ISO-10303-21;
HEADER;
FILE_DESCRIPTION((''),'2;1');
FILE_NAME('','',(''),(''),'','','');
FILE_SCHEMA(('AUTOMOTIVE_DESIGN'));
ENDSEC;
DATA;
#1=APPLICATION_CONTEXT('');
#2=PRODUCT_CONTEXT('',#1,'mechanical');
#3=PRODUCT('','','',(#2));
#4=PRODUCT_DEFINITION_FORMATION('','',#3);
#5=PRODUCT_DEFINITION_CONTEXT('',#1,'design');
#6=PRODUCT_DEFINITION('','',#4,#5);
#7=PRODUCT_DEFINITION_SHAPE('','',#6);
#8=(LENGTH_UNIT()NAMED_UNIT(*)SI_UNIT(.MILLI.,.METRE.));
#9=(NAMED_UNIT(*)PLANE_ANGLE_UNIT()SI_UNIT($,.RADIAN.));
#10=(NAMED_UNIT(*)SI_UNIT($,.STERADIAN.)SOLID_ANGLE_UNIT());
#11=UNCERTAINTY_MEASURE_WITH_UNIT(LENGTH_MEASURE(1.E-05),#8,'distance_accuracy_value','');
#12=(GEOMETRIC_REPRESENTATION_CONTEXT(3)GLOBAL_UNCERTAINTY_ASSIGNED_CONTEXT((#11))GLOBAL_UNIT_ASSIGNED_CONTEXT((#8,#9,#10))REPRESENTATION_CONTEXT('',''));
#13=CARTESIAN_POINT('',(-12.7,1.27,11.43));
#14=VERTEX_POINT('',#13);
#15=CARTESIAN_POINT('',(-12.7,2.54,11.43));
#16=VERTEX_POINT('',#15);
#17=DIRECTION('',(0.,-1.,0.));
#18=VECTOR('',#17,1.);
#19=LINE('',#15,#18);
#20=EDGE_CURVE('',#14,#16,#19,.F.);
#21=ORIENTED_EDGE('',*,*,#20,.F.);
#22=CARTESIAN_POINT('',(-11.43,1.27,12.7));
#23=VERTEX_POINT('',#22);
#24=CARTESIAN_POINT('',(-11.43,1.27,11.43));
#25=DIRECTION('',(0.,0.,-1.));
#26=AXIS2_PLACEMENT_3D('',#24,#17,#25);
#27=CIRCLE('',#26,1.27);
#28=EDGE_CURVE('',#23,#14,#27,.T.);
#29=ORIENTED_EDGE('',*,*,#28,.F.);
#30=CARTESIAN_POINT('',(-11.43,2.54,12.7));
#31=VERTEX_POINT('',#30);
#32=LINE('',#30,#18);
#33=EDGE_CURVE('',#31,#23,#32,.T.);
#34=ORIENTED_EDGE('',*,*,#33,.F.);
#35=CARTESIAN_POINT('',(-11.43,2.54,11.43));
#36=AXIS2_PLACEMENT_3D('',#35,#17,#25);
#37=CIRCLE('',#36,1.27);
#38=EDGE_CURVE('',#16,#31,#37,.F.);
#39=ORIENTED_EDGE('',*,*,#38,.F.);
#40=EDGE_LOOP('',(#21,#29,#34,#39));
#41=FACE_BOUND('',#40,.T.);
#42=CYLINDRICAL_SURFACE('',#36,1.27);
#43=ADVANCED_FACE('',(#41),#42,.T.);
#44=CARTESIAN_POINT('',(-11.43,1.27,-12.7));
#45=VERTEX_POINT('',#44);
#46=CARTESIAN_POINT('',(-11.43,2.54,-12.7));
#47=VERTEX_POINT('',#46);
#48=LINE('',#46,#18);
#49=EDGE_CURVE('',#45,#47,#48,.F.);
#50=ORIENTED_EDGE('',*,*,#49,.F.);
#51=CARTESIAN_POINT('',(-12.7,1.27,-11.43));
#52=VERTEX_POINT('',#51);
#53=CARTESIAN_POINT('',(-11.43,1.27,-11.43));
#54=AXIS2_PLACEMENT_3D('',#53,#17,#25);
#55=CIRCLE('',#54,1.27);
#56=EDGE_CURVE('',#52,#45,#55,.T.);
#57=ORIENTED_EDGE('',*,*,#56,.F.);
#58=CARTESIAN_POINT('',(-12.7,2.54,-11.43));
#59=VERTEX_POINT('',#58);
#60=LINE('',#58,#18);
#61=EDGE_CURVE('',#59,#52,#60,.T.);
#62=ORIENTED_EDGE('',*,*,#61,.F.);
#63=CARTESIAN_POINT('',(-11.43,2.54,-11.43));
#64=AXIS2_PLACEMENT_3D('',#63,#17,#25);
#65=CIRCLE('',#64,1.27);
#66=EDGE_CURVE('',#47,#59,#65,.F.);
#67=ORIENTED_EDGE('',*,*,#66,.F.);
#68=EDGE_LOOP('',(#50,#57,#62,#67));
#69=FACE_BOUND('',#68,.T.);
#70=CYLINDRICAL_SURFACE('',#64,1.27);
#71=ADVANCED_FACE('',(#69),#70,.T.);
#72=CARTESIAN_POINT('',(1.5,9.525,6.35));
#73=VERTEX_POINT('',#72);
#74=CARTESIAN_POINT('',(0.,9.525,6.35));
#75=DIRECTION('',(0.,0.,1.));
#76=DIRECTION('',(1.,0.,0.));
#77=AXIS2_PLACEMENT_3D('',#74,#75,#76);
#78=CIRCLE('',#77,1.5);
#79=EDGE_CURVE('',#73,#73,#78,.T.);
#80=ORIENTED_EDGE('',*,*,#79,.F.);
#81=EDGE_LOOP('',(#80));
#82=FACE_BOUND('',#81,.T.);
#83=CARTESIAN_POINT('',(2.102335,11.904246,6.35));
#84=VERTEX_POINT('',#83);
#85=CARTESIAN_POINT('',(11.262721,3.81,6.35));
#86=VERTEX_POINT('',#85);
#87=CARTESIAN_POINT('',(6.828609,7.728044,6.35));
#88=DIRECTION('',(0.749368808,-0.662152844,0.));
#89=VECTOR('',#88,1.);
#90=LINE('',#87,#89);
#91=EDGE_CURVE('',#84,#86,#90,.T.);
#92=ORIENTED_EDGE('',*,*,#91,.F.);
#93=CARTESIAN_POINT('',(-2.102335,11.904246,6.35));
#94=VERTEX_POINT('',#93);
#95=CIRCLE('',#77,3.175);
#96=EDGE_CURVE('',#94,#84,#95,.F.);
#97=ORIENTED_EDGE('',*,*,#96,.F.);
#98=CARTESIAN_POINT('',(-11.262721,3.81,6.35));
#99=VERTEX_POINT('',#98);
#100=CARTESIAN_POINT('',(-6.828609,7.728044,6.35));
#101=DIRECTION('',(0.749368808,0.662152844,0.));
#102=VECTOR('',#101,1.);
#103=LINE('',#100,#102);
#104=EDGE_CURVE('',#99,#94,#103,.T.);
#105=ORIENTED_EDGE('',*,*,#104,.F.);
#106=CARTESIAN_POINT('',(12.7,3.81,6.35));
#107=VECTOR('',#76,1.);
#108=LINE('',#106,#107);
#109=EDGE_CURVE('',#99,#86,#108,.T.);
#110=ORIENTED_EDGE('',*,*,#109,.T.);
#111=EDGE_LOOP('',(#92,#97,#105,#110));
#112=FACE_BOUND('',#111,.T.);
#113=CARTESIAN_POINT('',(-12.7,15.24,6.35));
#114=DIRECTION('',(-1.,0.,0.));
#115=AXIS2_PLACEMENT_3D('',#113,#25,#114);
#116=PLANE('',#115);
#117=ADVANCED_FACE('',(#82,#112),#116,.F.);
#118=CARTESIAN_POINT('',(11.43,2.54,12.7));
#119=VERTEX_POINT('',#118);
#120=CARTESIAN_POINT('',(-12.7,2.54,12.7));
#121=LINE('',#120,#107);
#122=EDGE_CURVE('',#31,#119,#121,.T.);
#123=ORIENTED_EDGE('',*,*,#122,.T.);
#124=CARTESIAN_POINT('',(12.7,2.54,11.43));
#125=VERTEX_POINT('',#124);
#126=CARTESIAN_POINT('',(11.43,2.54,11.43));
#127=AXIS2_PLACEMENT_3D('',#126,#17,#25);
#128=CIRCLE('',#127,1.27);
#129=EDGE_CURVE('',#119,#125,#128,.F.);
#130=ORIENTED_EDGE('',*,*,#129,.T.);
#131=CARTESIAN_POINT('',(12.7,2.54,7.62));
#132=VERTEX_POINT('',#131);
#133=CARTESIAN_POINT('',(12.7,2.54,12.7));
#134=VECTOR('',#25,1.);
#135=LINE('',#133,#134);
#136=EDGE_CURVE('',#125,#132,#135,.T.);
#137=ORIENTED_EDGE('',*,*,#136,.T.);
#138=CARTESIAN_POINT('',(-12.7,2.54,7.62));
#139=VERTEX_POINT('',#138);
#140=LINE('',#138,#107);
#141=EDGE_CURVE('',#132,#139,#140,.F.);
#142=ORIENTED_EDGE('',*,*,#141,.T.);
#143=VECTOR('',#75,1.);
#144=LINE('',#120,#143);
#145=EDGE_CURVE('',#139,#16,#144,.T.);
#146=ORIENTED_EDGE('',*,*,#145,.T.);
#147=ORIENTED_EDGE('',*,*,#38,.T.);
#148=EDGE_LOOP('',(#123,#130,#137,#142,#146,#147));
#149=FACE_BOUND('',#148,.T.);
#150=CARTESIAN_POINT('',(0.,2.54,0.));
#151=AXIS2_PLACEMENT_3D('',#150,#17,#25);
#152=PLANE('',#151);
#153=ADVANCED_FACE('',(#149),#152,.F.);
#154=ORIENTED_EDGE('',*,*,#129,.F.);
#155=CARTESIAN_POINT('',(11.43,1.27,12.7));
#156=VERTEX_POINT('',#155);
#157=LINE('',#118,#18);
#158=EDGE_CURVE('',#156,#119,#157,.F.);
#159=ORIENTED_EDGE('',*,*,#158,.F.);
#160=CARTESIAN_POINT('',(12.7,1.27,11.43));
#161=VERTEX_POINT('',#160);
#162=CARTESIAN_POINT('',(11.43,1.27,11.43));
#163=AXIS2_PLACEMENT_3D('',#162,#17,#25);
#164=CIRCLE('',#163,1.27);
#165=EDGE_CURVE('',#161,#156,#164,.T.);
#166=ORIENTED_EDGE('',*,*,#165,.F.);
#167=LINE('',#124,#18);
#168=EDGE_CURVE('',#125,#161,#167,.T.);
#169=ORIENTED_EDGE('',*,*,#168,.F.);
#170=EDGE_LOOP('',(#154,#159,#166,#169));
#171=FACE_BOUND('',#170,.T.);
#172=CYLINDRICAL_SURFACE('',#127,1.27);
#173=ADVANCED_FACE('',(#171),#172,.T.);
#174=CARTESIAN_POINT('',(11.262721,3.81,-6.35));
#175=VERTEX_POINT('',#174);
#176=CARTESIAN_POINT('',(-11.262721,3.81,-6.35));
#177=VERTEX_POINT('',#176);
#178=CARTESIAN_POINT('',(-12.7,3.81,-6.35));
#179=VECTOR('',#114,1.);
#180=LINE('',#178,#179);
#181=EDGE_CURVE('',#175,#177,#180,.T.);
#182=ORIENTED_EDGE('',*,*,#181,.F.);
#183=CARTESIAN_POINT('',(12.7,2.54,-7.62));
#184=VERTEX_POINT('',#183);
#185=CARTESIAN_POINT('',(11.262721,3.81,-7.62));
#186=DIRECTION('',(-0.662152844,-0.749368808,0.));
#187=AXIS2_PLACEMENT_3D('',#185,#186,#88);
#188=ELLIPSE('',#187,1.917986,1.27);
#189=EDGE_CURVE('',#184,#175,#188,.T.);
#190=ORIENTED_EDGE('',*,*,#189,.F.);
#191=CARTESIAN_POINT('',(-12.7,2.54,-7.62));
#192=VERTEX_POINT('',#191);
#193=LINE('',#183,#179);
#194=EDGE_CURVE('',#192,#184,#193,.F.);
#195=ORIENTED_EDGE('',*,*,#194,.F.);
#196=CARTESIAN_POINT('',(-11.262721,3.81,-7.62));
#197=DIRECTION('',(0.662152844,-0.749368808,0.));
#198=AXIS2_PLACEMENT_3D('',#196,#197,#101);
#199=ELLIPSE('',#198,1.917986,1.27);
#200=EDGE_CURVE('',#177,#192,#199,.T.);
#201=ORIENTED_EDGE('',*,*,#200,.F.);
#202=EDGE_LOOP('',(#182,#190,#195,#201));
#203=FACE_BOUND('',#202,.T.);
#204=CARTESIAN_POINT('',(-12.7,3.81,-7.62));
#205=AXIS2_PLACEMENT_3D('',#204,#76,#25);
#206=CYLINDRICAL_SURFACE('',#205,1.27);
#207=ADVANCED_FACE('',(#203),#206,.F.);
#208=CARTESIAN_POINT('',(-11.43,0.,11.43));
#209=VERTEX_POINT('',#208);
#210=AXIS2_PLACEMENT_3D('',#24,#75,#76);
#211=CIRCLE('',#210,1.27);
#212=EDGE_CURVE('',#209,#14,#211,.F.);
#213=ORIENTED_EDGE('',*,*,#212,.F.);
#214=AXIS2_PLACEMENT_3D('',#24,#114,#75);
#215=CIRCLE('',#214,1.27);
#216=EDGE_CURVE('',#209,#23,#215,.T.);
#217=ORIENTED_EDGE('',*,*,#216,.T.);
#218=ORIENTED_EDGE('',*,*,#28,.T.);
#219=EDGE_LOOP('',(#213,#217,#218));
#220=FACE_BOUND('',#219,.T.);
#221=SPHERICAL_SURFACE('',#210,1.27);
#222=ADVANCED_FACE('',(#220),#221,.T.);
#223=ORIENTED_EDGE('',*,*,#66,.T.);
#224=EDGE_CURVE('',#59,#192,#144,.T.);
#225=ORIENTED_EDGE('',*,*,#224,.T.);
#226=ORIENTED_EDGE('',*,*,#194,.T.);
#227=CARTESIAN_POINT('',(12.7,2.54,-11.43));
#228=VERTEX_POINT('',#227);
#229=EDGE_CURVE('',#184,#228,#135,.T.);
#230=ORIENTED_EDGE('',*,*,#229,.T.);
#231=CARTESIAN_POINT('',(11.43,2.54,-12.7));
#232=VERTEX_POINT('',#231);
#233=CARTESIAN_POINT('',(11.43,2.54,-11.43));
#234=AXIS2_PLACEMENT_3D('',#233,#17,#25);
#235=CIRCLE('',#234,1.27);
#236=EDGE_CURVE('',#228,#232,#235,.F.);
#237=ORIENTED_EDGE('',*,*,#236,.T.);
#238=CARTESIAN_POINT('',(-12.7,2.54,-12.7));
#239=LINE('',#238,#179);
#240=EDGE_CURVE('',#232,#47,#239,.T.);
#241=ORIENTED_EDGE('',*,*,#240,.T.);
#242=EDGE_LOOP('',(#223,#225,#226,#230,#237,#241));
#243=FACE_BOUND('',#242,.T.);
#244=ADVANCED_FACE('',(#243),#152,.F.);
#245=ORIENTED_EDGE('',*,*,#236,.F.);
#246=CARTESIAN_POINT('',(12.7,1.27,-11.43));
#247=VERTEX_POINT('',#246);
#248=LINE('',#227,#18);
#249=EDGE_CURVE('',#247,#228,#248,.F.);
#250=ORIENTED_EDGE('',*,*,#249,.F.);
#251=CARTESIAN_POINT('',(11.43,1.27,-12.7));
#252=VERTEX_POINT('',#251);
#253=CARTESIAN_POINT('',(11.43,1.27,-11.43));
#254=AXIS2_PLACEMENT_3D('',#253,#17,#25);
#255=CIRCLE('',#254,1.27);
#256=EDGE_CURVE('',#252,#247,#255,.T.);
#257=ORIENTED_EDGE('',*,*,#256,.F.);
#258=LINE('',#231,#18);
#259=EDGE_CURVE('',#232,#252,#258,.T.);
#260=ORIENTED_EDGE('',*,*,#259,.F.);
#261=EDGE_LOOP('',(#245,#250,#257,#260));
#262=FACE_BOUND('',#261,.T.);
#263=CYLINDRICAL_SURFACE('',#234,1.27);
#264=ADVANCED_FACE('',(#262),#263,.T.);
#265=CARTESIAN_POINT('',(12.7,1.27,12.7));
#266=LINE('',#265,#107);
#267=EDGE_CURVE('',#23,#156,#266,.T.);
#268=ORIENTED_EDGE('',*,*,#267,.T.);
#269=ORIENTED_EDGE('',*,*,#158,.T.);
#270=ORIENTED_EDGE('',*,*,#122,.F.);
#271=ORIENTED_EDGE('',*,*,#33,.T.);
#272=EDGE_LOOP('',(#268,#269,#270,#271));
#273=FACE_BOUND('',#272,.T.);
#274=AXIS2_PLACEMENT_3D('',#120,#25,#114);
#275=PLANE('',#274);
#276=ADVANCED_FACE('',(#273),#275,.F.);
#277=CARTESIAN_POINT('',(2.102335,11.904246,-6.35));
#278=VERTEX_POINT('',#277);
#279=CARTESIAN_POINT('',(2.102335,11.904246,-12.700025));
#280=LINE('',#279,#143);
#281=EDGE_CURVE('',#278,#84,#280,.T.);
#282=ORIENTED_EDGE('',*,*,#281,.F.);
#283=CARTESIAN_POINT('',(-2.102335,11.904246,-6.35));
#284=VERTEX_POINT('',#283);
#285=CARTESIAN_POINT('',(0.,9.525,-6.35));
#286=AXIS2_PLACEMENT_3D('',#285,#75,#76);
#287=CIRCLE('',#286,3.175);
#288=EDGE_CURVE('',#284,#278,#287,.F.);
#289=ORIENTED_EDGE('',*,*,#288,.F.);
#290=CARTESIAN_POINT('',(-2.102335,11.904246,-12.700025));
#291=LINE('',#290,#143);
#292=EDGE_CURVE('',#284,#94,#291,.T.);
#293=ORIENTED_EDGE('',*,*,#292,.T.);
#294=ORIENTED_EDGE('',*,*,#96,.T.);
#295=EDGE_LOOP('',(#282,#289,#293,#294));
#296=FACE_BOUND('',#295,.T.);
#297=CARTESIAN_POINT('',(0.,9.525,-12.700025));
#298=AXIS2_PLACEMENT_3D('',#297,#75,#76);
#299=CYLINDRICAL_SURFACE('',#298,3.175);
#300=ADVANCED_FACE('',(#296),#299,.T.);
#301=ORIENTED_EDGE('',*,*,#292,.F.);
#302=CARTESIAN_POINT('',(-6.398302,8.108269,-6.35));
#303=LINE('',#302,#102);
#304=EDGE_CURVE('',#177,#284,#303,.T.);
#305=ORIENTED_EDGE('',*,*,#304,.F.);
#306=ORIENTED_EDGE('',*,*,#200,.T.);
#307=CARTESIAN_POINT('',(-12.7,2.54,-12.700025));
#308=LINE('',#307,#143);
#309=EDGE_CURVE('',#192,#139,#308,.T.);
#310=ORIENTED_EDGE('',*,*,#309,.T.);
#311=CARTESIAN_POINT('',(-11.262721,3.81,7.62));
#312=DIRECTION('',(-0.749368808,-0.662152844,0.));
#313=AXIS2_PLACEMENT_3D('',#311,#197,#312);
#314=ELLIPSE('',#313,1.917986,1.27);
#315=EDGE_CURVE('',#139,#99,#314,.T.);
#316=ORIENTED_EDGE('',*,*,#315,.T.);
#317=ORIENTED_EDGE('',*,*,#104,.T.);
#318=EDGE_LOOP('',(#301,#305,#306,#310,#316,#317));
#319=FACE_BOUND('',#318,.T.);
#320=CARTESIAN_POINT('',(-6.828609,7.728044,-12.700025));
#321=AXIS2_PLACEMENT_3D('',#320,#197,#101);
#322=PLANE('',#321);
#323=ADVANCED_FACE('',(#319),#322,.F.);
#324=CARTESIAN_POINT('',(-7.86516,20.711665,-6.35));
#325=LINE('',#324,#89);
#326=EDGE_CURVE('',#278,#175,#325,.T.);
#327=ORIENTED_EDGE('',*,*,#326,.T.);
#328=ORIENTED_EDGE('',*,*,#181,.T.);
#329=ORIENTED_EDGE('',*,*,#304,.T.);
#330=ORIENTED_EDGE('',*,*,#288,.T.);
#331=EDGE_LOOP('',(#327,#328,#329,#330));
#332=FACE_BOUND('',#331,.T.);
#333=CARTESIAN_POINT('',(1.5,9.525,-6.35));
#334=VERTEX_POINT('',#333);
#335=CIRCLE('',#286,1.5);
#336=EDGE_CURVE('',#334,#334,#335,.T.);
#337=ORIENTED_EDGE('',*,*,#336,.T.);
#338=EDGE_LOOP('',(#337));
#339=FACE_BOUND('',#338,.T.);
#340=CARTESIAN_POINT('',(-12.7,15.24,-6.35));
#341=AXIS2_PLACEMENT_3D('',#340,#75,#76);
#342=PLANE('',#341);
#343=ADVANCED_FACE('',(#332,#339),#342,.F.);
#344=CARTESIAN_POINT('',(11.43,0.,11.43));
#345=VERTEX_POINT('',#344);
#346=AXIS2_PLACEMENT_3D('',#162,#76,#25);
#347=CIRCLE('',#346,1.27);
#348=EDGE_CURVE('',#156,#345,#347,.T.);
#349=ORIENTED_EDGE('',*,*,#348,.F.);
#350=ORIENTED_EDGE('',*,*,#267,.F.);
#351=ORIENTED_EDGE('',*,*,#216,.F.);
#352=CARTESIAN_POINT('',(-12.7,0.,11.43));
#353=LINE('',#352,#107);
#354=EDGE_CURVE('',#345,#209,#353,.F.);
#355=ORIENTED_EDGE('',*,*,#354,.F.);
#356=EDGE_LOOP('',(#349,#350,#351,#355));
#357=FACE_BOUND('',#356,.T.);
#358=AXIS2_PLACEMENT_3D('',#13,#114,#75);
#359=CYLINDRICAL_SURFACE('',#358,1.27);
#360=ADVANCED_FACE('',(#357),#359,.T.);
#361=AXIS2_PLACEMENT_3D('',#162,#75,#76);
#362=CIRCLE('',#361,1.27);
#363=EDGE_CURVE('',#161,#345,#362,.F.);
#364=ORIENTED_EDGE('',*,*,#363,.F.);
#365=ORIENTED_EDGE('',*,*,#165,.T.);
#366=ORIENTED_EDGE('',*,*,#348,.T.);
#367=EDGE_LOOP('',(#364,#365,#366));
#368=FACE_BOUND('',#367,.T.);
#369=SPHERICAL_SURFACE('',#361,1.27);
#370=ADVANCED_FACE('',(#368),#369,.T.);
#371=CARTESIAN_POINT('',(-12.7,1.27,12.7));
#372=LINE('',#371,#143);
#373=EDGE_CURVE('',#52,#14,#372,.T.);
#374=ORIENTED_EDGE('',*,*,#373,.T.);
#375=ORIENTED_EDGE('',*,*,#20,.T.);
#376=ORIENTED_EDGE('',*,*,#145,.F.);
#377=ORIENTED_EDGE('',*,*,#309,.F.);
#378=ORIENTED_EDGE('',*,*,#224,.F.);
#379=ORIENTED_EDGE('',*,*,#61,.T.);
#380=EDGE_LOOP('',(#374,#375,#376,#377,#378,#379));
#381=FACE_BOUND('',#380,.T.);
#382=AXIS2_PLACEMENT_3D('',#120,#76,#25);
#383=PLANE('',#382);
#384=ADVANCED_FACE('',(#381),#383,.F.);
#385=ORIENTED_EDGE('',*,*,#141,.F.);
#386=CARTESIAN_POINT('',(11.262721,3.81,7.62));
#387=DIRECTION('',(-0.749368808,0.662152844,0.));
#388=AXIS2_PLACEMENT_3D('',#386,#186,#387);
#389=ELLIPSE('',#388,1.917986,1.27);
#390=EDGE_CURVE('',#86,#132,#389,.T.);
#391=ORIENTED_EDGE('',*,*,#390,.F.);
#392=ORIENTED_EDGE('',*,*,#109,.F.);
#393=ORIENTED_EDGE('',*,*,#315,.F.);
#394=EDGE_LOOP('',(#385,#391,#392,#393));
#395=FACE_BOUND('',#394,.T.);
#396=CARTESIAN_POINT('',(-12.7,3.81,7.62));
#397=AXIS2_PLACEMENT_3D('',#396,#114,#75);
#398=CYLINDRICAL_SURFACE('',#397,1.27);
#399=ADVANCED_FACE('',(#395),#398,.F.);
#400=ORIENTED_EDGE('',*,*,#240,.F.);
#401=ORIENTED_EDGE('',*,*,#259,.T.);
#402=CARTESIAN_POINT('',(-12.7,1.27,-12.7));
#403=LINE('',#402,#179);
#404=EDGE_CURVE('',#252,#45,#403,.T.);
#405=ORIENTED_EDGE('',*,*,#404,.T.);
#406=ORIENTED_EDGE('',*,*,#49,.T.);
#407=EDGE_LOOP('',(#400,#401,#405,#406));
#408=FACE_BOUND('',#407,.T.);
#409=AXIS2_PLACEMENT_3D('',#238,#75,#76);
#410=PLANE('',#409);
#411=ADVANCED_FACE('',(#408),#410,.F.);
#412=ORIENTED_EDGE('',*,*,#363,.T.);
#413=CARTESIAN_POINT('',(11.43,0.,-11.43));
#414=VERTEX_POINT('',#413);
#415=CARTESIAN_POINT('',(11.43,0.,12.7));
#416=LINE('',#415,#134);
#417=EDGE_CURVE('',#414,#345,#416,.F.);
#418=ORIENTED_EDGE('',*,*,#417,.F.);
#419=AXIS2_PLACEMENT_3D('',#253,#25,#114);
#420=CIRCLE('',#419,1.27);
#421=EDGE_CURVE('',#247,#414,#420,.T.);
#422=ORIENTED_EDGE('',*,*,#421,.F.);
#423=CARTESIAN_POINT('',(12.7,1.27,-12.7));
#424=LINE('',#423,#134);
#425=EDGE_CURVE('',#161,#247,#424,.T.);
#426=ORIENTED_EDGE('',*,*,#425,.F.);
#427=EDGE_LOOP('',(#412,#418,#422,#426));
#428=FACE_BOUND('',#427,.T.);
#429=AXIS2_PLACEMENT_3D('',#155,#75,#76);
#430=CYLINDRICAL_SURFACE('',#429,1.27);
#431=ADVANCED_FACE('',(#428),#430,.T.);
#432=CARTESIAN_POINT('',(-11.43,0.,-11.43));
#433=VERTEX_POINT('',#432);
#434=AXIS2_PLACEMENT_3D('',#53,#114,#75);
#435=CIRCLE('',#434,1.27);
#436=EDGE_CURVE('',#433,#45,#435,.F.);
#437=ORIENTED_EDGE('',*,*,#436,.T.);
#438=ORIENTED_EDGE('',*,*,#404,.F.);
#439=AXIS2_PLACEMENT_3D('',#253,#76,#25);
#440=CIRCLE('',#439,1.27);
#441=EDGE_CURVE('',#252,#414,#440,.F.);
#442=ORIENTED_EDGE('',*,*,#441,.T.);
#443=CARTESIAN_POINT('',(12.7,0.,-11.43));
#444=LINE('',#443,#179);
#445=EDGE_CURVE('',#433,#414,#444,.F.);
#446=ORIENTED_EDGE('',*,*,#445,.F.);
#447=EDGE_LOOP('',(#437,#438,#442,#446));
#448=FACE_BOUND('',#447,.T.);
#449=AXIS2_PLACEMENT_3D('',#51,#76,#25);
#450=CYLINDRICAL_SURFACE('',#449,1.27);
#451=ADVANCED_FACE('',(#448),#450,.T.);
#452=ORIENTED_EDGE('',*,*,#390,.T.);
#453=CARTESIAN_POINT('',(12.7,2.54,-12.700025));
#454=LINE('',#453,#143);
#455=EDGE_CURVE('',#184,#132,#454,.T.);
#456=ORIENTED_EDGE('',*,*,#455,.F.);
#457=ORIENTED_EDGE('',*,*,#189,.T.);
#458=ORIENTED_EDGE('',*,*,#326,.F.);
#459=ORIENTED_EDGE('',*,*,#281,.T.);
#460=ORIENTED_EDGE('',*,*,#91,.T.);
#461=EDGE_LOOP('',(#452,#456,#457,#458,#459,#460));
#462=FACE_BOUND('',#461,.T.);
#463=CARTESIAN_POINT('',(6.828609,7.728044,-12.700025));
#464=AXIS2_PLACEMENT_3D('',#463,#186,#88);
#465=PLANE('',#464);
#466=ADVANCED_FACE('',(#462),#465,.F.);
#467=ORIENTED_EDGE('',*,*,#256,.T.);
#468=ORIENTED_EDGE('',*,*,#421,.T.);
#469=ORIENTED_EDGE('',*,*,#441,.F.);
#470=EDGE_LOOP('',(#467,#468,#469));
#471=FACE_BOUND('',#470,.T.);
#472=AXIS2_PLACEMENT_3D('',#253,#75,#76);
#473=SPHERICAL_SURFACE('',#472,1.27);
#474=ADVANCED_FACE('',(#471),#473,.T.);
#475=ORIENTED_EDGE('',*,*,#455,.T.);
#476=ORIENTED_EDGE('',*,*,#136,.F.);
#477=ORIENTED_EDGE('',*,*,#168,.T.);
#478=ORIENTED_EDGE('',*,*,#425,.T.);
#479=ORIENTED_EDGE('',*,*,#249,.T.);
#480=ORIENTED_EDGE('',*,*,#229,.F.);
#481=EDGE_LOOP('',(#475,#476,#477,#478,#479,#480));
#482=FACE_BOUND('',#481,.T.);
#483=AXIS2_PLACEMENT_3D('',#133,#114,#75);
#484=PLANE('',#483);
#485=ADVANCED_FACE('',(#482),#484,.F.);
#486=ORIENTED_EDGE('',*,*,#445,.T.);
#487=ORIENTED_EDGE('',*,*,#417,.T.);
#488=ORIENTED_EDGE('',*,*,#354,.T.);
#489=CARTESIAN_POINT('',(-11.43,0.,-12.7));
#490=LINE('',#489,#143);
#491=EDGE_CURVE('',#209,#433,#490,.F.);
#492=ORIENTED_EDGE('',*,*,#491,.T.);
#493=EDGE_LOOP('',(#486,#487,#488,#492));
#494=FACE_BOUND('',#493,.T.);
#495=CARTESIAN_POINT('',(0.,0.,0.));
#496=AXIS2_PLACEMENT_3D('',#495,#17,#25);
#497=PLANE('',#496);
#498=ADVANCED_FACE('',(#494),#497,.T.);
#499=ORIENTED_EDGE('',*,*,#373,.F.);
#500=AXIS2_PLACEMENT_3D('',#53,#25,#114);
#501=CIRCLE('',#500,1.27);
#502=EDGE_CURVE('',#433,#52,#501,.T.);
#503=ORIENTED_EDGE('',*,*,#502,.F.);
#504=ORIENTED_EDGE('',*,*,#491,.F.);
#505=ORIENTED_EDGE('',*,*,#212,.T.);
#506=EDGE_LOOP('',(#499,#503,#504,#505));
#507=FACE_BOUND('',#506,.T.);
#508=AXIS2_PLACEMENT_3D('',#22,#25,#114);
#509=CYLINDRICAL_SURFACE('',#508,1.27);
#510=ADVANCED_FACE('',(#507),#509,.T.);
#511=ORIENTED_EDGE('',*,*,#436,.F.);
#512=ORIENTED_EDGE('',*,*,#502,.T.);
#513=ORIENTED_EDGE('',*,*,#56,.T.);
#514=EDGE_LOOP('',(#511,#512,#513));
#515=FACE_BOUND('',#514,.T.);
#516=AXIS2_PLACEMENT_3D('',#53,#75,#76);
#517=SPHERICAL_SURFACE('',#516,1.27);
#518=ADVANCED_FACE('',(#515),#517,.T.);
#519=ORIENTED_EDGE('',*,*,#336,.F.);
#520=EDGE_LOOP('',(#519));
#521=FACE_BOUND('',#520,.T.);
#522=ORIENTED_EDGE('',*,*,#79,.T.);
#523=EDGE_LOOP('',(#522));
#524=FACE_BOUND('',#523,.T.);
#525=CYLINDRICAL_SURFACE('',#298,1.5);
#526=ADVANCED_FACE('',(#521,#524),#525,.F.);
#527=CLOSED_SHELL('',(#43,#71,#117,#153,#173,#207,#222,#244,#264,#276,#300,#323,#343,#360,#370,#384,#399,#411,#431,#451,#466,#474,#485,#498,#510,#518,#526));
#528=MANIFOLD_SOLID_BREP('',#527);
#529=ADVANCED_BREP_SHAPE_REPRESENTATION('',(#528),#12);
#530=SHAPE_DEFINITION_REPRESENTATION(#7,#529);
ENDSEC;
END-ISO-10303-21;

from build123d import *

# Parameters (mm, degrees)
SKETCH1_W           = 25.4
SKETCH1_H           = 25.4
BOSS_EXTRUDE1_DEPTH = 2.54
SKETCH2_W           = 25.4
SKETCH2_H           = 12.7
BOSS_EXTRUDE2_DEPTH = 12.7
SKETCH3_R           = 1.5
CUT_EXTRUDE1_DEPTH  = 28.503637941
FILLET1_R           = 1.27


with BuildPart() as part:
    # Sketch1 → Boss-Extrude1 (new body)
    with BuildSketch(Plane(origin=(0, 0, 0), x_dir=(1, 0, 0), z_dir=(0, 1, 0))):
        Rectangle(SKETCH1_W, SKETCH1_H)
    extrude(amount=BOSS_EXTRUDE1_DEPTH)

    # Sketch2 → Boss-Extrude2 (add)
    with BuildSketch(Plane(origin=(0, 2.54, 0), x_dir=(1, 0, 0), z_dir=(0, 1, 0))):
        Rectangle(SKETCH2_W, SKETCH2_H)
    extrude(amount=BOSS_EXTRUDE2_DEPTH)

    # Sketch3 → Cut-Extrude1 (cut, through all)
    with BuildSketch(Plane.XY.offset(6.35)):
        with BuildLine():
            Line((-12.7, 2.54), (-2.102335281, 11.904245966))
            ThreePointArc((-2.102335281, 11.904245966), (0, 12.7), (2.102335281, 11.904245966))
            Line((2.102335281, 11.904245966), (12.7, 2.54))
            Line((12.7, 2.54), (12.7, 15.24))
            Line((12.7, 15.24), (-12.7, 15.24))
            Line((-12.7, 15.24), (-12.7, 2.54))
        make_face()
        with Locations((0, 9.525)):
            Circle(SKETCH3_R)
    extrude(amount=-CUT_EXTRUDE1_DEPTH, mode=Mode.SUBTRACT)

    # Fillet1
    fillet1_edges = [part.edges().sort_by_distance(p)[0] for p in [
        (0, 0, -12.7),
        (-12.7, 0, 0),
        (0, 0, 12.7),
        (12.7, 0, 0),
        (-12.7, 1.27, 12.7),
        (12.7, 1.27, 12.7),
        (-12.7, 1.27, -12.7),
        (12.7, 1.27, -12.7),
        (0, 2.54, -6.35),
        (0, 2.54, 6.35),
    ]]
    fillet(fillet1_edges, radius=FILLET1_R)


solid = part.part
